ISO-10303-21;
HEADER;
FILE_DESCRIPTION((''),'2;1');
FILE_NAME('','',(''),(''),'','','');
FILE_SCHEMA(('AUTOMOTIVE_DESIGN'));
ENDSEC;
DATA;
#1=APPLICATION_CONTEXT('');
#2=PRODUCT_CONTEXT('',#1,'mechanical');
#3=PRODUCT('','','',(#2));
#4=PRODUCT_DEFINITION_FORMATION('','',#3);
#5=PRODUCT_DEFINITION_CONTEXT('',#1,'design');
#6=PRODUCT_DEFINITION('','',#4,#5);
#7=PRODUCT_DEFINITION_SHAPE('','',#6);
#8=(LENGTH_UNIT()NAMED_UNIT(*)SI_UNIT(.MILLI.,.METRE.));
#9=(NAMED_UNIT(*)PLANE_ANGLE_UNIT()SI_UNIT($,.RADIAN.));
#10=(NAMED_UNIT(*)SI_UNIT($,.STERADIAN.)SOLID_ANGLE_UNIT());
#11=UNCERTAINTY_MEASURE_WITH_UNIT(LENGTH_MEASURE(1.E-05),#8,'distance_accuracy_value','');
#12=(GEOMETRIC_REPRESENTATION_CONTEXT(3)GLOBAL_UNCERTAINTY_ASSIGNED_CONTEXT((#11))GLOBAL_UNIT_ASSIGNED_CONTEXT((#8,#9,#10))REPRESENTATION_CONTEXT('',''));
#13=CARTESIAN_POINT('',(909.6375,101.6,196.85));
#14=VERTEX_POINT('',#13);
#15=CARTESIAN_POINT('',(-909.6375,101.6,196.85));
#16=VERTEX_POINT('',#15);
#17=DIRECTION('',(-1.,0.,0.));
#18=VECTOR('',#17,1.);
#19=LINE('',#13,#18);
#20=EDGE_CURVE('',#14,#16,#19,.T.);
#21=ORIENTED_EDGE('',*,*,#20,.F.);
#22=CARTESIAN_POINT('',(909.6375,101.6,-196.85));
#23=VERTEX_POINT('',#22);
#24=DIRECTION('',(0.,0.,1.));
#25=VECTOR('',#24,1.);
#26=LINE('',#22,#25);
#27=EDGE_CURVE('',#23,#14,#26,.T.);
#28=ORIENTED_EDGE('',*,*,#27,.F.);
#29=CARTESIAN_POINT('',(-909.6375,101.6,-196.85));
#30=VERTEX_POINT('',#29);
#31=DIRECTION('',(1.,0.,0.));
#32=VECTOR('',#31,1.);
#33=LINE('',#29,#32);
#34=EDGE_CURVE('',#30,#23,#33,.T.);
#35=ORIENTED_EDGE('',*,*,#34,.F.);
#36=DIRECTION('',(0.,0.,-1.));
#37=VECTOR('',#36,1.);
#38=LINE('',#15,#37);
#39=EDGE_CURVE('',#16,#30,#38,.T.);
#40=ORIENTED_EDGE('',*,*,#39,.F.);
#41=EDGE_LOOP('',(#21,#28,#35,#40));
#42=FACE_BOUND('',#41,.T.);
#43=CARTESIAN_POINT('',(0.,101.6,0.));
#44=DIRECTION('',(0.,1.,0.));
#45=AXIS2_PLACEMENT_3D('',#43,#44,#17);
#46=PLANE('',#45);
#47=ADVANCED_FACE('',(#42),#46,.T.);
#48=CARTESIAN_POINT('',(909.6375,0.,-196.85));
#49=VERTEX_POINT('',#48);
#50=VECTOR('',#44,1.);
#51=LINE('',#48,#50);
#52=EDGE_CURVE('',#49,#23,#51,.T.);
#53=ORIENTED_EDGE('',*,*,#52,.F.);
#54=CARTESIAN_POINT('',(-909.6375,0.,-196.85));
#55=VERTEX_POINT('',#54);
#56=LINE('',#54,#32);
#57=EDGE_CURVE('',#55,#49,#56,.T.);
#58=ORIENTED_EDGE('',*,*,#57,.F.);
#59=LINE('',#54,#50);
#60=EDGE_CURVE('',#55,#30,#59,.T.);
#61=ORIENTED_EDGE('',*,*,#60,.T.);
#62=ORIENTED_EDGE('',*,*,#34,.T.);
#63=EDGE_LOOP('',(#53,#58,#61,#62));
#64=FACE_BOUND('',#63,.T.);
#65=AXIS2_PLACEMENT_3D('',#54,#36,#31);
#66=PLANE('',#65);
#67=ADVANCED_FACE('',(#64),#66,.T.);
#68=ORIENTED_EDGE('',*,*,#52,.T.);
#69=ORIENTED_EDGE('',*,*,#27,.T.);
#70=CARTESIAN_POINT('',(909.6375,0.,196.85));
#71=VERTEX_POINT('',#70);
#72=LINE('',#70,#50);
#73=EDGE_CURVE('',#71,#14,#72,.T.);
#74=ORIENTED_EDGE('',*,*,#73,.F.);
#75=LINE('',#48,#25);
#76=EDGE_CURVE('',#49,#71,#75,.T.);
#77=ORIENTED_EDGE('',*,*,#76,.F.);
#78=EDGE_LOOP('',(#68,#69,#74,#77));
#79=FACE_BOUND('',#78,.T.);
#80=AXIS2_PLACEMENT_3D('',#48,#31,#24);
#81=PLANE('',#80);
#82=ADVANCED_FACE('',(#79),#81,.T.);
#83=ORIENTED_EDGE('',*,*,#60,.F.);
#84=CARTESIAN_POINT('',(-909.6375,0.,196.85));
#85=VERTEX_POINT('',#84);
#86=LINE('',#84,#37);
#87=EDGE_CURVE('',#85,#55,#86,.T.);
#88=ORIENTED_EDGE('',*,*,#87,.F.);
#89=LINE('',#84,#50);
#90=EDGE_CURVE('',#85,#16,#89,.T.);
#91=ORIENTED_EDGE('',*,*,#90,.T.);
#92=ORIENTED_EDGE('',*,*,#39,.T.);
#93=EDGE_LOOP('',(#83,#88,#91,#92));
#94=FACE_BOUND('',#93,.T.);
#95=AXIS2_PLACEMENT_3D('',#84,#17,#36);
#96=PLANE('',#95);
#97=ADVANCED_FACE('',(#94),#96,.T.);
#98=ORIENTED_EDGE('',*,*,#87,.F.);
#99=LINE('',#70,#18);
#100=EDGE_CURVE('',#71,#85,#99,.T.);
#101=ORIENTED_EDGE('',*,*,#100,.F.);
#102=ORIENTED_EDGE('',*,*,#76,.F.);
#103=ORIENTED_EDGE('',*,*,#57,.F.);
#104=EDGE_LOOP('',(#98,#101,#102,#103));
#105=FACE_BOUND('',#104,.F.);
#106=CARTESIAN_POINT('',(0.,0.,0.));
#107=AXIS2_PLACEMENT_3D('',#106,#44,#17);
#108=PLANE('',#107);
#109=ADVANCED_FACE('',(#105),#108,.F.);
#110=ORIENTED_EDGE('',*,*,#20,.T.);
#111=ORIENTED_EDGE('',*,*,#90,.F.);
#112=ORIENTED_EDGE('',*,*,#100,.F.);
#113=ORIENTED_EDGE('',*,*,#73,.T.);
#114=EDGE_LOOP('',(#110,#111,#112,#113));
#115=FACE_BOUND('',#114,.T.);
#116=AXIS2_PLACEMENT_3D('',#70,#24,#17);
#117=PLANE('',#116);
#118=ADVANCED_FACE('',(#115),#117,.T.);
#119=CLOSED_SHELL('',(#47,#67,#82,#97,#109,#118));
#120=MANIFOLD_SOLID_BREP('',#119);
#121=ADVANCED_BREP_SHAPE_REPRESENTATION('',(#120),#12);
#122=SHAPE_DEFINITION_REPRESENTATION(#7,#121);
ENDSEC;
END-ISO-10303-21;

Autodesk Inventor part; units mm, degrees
ref_plane "YZ Plane" through (0, 0, 0) normal (1, 0, 0) x (0, 1, 0)
ref_plane "XZ Plane" through (0, 0, 0) normal (0, 1, 0) x (-1, 0, 0)
ref_plane "XY Plane" through (0, 0, 0) normal (0, 0, 1) x (1, 0, 0)
sketch "Sketch1" plane through (0, 0, 0) normal (0, 1, 0) x (-1, 0, 0)
  line L0 (909.6375, -196.85) -> (-909.6375, -196.85)
  line L1 (-909.6375, -196.85) -> (-909.6375, 196.85)
  line L2 (-909.6375, 196.85) -> (909.6375, 196.85)
  line L3 (909.6375, 196.85) -> (909.6375, -196.85)
  line L4 (909.6375, -196.85) -> (-909.6375, 196.85) construction
  line L5 (-909.6375, -196.85) -> (909.6375, 196.85) construction
  point P0 (0, 0)
  dimension "d0" = 1819.275
  dimension "d1" = 393.7
extrude "Extrusion1" add sketch "Sketch1" along normal blind 101.6
properties part number "cap - 7" material "Granite, Cut, Polished"
